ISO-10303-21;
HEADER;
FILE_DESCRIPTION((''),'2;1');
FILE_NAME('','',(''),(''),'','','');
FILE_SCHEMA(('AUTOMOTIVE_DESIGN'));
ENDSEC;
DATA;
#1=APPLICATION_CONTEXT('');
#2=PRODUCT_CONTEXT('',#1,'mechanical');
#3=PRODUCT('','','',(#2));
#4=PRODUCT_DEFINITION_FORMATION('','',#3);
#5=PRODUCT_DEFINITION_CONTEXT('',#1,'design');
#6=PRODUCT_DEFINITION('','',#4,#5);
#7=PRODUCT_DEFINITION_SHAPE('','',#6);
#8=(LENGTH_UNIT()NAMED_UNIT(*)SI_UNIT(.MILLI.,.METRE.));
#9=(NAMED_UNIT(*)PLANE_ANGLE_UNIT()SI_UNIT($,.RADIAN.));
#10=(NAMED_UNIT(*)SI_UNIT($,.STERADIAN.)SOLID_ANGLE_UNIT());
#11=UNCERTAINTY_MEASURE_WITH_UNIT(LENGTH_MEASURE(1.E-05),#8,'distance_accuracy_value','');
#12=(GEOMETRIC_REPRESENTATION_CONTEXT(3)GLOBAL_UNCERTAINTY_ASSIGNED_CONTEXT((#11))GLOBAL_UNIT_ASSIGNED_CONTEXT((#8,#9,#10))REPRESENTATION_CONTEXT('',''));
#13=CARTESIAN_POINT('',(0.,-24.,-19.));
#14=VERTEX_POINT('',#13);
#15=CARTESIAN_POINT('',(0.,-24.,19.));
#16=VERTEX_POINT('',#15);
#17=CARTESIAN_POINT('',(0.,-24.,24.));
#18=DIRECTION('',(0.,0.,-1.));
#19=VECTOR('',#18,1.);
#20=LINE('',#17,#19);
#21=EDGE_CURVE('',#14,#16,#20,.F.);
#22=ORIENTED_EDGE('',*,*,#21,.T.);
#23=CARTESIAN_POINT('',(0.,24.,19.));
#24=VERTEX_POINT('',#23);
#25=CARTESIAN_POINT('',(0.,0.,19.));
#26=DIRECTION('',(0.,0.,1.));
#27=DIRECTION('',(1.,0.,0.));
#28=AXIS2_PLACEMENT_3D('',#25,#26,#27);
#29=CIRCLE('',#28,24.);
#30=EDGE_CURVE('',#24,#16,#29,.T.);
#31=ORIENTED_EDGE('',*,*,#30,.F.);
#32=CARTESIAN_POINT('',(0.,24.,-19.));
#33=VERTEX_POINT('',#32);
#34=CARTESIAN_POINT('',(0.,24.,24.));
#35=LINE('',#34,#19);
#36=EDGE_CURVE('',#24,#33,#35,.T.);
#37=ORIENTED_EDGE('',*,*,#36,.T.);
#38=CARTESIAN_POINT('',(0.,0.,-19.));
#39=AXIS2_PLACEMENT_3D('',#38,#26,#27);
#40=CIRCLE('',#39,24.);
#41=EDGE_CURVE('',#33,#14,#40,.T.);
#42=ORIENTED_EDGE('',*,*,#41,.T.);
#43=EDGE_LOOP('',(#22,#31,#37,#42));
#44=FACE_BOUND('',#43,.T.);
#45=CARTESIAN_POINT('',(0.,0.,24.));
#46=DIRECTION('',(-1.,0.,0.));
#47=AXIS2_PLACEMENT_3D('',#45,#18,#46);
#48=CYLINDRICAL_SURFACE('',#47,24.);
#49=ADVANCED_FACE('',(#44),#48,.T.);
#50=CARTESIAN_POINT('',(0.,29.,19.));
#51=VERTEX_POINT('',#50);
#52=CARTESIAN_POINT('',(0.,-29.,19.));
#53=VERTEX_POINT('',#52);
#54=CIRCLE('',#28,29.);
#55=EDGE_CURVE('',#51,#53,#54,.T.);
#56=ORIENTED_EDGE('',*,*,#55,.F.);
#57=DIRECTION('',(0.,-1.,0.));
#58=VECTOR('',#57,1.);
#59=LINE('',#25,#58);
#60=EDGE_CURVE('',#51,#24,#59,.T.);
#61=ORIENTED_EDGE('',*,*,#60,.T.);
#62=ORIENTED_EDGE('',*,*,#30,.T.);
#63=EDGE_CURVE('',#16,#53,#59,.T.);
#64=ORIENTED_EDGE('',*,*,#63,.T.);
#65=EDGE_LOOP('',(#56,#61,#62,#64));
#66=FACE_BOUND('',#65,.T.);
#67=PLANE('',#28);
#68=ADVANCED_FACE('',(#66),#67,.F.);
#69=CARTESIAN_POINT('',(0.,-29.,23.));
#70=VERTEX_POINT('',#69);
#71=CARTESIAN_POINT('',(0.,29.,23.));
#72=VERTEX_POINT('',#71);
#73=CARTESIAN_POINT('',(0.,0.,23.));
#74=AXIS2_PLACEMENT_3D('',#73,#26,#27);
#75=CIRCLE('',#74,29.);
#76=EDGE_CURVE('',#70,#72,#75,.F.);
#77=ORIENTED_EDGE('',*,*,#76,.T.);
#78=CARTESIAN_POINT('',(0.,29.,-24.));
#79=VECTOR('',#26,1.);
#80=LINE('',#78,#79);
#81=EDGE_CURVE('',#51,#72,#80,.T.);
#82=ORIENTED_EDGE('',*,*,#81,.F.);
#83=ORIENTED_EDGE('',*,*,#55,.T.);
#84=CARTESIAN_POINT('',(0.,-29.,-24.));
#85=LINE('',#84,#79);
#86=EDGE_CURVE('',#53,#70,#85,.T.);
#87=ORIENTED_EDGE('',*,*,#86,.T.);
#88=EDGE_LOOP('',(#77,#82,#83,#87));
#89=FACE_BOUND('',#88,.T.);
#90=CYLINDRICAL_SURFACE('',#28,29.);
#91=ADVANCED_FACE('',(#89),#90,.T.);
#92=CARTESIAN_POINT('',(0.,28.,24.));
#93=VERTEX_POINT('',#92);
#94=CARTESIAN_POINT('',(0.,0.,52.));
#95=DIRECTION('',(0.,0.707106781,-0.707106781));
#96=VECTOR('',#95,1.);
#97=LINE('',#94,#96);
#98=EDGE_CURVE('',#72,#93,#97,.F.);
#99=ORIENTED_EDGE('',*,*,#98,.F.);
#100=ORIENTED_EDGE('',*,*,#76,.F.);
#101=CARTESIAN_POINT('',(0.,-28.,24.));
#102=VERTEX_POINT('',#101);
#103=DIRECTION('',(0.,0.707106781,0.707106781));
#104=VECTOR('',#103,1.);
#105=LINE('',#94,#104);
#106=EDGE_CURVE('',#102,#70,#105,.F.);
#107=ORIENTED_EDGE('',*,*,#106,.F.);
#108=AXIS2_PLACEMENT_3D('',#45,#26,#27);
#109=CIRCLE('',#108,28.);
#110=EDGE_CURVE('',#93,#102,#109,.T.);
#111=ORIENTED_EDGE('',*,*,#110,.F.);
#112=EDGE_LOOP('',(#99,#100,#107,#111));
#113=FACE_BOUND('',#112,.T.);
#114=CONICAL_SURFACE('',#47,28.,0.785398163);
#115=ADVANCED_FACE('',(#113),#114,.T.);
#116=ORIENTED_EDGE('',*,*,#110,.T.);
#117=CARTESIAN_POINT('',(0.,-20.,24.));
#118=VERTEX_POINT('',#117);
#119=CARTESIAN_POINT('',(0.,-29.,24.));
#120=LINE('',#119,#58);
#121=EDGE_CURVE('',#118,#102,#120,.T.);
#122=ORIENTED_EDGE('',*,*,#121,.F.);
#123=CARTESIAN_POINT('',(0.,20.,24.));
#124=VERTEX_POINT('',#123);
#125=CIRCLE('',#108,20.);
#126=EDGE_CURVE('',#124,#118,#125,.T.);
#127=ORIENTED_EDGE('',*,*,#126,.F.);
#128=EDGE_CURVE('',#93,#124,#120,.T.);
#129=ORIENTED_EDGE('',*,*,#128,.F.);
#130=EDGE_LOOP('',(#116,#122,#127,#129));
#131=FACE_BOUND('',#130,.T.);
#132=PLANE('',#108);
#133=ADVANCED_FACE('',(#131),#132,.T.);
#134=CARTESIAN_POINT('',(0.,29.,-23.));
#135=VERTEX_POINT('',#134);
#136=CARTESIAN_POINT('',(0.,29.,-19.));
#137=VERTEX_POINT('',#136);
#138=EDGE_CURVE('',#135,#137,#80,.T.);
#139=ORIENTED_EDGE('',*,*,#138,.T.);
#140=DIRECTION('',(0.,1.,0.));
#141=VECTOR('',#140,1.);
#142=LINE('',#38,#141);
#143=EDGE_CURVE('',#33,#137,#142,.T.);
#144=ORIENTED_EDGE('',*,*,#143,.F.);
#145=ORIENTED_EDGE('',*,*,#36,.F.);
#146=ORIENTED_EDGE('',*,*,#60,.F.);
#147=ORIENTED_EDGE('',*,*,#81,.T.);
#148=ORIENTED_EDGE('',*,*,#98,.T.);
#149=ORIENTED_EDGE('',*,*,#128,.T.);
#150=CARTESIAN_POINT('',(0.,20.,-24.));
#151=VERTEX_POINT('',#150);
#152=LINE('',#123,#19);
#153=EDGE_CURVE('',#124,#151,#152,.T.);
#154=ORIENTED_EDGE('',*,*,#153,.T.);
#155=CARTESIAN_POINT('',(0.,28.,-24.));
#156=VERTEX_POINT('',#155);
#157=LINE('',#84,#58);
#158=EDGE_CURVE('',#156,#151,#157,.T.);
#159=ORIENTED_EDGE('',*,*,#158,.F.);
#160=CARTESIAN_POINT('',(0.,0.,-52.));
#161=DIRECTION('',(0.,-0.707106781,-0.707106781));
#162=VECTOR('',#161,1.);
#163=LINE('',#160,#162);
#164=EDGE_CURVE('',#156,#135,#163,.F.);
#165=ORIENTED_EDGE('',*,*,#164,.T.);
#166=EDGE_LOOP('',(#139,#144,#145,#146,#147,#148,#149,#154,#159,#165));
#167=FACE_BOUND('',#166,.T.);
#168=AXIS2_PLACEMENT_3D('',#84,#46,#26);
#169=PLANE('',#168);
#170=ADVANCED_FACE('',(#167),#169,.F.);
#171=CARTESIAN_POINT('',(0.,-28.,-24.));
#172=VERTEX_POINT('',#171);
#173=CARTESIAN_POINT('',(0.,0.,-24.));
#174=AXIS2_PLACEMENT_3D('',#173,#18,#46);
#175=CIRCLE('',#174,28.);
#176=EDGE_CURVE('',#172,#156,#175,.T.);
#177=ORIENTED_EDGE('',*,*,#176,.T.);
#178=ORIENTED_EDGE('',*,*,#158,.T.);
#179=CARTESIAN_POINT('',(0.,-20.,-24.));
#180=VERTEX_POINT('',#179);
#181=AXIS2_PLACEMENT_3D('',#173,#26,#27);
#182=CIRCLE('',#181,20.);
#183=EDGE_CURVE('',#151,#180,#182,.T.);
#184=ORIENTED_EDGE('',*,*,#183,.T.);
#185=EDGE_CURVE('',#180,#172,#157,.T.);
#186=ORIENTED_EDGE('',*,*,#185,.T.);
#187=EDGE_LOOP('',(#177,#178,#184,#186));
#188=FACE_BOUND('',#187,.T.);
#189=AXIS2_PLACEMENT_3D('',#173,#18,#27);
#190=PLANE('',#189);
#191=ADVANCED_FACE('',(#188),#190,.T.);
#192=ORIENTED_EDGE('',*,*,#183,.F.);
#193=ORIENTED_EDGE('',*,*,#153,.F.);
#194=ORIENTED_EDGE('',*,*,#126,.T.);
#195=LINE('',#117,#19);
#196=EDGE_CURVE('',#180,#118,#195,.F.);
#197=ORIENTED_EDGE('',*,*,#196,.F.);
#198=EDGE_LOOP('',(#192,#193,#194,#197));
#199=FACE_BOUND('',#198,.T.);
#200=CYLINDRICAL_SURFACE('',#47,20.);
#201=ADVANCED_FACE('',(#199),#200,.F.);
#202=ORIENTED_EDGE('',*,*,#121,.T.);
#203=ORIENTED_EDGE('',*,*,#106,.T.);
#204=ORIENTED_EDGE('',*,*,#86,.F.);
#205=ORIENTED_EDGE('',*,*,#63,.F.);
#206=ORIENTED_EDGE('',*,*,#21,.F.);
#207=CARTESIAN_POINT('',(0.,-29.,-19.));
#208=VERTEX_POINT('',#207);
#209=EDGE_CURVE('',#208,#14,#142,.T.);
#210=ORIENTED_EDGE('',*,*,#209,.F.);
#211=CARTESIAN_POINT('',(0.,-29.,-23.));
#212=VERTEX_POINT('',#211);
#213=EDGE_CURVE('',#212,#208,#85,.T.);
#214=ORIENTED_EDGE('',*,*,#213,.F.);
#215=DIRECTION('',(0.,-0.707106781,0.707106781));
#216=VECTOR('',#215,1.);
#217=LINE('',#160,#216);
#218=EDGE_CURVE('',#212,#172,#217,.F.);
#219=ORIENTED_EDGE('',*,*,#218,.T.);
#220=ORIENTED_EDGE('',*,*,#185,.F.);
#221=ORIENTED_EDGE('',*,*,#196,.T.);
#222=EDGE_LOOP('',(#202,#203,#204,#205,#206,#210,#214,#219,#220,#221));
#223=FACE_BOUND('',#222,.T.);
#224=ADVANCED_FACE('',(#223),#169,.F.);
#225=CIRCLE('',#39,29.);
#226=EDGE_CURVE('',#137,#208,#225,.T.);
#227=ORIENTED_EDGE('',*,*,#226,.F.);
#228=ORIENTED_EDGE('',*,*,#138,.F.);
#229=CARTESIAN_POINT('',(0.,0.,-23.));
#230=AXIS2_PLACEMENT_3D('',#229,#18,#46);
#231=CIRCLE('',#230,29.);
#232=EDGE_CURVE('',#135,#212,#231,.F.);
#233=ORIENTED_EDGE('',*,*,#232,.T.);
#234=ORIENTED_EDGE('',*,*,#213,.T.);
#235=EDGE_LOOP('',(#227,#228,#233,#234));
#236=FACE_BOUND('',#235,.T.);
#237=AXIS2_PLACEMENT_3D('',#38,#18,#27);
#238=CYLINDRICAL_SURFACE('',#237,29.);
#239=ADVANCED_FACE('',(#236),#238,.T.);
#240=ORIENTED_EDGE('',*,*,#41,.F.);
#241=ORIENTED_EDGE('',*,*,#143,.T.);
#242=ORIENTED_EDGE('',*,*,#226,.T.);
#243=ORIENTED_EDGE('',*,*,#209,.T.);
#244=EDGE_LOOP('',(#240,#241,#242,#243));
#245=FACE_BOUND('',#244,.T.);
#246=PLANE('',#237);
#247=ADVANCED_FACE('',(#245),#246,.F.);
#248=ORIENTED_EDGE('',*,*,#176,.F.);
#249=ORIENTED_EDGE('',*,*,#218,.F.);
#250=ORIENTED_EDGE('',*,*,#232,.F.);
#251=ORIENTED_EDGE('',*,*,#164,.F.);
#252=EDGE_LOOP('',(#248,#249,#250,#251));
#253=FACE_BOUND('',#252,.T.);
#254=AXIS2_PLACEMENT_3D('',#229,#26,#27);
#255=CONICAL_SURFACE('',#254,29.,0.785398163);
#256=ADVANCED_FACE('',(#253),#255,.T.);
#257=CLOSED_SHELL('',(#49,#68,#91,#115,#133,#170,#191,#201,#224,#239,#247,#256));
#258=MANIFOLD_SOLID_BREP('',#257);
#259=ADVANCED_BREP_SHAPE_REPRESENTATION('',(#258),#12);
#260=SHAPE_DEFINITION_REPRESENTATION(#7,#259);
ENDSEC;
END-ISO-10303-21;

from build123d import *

# Parameters (mm, degrees)
SKETCH_1_R          = 24
SKETCH_1_R_2        = 20
EXTRUDE_1_DEPTH     = 24
SKETCH_2_R          = 29
SKETCH_2_R_2        = 24
EXTRUDE_2_DEPTH     = 5
SKETCH_3_W          = 29
SKETCH_3_H          = 58
CUT_EXTRUDE_1_DEPTH = 49
CHAMFER_1_SIZE      = 1


with BuildPart() as part:
    # Эскиз1 → Бобышка-Вытянуть1 (new body)
    with BuildSketch(Plane.XY):
        Circle(SKETCH_1_R)
        Circle(SKETCH_1_R_2, mode=Mode.SUBTRACT)
    extrude(amount=EXTRUDE_1_DEPTH)

    # Эскиз2 → Бобышка-Вытянуть2 (add)
    with BuildSketch(Plane.XY.offset(24)):
        Circle(SKETCH_2_R)
        Circle(SKETCH_2_R_2, mode=Mode.SUBTRACT)
    extrude(amount=-EXTRUDE_2_DEPTH)

    # Зеркальное отражение1: part across plane


with BuildPart() as part_1:
    add(part.part)
    add(part.part.mirror(Plane.XY))

    # Эскиз3 → Вырез-Вытянуть1 (cut, through all)
    with BuildSketch(Plane.XY.offset(24)):
        with Locations((14.5, 0)):
            Rectangle(SKETCH_3_W, SKETCH_3_H)
    extrude(amount=-CUT_EXTRUDE_1_DEPTH, mode=Mode.SUBTRACT)

    # Фаска1
    chamfer_1_edges = [part_1.edges().sort_by_distance(p)[0] for p in [
        (-29, 0, -24),
        (-29, 0, 24),
    ]]
    chamfer(chamfer_1_edges, length=CHAMFER_1_SIZE)


solid = part_1.part
